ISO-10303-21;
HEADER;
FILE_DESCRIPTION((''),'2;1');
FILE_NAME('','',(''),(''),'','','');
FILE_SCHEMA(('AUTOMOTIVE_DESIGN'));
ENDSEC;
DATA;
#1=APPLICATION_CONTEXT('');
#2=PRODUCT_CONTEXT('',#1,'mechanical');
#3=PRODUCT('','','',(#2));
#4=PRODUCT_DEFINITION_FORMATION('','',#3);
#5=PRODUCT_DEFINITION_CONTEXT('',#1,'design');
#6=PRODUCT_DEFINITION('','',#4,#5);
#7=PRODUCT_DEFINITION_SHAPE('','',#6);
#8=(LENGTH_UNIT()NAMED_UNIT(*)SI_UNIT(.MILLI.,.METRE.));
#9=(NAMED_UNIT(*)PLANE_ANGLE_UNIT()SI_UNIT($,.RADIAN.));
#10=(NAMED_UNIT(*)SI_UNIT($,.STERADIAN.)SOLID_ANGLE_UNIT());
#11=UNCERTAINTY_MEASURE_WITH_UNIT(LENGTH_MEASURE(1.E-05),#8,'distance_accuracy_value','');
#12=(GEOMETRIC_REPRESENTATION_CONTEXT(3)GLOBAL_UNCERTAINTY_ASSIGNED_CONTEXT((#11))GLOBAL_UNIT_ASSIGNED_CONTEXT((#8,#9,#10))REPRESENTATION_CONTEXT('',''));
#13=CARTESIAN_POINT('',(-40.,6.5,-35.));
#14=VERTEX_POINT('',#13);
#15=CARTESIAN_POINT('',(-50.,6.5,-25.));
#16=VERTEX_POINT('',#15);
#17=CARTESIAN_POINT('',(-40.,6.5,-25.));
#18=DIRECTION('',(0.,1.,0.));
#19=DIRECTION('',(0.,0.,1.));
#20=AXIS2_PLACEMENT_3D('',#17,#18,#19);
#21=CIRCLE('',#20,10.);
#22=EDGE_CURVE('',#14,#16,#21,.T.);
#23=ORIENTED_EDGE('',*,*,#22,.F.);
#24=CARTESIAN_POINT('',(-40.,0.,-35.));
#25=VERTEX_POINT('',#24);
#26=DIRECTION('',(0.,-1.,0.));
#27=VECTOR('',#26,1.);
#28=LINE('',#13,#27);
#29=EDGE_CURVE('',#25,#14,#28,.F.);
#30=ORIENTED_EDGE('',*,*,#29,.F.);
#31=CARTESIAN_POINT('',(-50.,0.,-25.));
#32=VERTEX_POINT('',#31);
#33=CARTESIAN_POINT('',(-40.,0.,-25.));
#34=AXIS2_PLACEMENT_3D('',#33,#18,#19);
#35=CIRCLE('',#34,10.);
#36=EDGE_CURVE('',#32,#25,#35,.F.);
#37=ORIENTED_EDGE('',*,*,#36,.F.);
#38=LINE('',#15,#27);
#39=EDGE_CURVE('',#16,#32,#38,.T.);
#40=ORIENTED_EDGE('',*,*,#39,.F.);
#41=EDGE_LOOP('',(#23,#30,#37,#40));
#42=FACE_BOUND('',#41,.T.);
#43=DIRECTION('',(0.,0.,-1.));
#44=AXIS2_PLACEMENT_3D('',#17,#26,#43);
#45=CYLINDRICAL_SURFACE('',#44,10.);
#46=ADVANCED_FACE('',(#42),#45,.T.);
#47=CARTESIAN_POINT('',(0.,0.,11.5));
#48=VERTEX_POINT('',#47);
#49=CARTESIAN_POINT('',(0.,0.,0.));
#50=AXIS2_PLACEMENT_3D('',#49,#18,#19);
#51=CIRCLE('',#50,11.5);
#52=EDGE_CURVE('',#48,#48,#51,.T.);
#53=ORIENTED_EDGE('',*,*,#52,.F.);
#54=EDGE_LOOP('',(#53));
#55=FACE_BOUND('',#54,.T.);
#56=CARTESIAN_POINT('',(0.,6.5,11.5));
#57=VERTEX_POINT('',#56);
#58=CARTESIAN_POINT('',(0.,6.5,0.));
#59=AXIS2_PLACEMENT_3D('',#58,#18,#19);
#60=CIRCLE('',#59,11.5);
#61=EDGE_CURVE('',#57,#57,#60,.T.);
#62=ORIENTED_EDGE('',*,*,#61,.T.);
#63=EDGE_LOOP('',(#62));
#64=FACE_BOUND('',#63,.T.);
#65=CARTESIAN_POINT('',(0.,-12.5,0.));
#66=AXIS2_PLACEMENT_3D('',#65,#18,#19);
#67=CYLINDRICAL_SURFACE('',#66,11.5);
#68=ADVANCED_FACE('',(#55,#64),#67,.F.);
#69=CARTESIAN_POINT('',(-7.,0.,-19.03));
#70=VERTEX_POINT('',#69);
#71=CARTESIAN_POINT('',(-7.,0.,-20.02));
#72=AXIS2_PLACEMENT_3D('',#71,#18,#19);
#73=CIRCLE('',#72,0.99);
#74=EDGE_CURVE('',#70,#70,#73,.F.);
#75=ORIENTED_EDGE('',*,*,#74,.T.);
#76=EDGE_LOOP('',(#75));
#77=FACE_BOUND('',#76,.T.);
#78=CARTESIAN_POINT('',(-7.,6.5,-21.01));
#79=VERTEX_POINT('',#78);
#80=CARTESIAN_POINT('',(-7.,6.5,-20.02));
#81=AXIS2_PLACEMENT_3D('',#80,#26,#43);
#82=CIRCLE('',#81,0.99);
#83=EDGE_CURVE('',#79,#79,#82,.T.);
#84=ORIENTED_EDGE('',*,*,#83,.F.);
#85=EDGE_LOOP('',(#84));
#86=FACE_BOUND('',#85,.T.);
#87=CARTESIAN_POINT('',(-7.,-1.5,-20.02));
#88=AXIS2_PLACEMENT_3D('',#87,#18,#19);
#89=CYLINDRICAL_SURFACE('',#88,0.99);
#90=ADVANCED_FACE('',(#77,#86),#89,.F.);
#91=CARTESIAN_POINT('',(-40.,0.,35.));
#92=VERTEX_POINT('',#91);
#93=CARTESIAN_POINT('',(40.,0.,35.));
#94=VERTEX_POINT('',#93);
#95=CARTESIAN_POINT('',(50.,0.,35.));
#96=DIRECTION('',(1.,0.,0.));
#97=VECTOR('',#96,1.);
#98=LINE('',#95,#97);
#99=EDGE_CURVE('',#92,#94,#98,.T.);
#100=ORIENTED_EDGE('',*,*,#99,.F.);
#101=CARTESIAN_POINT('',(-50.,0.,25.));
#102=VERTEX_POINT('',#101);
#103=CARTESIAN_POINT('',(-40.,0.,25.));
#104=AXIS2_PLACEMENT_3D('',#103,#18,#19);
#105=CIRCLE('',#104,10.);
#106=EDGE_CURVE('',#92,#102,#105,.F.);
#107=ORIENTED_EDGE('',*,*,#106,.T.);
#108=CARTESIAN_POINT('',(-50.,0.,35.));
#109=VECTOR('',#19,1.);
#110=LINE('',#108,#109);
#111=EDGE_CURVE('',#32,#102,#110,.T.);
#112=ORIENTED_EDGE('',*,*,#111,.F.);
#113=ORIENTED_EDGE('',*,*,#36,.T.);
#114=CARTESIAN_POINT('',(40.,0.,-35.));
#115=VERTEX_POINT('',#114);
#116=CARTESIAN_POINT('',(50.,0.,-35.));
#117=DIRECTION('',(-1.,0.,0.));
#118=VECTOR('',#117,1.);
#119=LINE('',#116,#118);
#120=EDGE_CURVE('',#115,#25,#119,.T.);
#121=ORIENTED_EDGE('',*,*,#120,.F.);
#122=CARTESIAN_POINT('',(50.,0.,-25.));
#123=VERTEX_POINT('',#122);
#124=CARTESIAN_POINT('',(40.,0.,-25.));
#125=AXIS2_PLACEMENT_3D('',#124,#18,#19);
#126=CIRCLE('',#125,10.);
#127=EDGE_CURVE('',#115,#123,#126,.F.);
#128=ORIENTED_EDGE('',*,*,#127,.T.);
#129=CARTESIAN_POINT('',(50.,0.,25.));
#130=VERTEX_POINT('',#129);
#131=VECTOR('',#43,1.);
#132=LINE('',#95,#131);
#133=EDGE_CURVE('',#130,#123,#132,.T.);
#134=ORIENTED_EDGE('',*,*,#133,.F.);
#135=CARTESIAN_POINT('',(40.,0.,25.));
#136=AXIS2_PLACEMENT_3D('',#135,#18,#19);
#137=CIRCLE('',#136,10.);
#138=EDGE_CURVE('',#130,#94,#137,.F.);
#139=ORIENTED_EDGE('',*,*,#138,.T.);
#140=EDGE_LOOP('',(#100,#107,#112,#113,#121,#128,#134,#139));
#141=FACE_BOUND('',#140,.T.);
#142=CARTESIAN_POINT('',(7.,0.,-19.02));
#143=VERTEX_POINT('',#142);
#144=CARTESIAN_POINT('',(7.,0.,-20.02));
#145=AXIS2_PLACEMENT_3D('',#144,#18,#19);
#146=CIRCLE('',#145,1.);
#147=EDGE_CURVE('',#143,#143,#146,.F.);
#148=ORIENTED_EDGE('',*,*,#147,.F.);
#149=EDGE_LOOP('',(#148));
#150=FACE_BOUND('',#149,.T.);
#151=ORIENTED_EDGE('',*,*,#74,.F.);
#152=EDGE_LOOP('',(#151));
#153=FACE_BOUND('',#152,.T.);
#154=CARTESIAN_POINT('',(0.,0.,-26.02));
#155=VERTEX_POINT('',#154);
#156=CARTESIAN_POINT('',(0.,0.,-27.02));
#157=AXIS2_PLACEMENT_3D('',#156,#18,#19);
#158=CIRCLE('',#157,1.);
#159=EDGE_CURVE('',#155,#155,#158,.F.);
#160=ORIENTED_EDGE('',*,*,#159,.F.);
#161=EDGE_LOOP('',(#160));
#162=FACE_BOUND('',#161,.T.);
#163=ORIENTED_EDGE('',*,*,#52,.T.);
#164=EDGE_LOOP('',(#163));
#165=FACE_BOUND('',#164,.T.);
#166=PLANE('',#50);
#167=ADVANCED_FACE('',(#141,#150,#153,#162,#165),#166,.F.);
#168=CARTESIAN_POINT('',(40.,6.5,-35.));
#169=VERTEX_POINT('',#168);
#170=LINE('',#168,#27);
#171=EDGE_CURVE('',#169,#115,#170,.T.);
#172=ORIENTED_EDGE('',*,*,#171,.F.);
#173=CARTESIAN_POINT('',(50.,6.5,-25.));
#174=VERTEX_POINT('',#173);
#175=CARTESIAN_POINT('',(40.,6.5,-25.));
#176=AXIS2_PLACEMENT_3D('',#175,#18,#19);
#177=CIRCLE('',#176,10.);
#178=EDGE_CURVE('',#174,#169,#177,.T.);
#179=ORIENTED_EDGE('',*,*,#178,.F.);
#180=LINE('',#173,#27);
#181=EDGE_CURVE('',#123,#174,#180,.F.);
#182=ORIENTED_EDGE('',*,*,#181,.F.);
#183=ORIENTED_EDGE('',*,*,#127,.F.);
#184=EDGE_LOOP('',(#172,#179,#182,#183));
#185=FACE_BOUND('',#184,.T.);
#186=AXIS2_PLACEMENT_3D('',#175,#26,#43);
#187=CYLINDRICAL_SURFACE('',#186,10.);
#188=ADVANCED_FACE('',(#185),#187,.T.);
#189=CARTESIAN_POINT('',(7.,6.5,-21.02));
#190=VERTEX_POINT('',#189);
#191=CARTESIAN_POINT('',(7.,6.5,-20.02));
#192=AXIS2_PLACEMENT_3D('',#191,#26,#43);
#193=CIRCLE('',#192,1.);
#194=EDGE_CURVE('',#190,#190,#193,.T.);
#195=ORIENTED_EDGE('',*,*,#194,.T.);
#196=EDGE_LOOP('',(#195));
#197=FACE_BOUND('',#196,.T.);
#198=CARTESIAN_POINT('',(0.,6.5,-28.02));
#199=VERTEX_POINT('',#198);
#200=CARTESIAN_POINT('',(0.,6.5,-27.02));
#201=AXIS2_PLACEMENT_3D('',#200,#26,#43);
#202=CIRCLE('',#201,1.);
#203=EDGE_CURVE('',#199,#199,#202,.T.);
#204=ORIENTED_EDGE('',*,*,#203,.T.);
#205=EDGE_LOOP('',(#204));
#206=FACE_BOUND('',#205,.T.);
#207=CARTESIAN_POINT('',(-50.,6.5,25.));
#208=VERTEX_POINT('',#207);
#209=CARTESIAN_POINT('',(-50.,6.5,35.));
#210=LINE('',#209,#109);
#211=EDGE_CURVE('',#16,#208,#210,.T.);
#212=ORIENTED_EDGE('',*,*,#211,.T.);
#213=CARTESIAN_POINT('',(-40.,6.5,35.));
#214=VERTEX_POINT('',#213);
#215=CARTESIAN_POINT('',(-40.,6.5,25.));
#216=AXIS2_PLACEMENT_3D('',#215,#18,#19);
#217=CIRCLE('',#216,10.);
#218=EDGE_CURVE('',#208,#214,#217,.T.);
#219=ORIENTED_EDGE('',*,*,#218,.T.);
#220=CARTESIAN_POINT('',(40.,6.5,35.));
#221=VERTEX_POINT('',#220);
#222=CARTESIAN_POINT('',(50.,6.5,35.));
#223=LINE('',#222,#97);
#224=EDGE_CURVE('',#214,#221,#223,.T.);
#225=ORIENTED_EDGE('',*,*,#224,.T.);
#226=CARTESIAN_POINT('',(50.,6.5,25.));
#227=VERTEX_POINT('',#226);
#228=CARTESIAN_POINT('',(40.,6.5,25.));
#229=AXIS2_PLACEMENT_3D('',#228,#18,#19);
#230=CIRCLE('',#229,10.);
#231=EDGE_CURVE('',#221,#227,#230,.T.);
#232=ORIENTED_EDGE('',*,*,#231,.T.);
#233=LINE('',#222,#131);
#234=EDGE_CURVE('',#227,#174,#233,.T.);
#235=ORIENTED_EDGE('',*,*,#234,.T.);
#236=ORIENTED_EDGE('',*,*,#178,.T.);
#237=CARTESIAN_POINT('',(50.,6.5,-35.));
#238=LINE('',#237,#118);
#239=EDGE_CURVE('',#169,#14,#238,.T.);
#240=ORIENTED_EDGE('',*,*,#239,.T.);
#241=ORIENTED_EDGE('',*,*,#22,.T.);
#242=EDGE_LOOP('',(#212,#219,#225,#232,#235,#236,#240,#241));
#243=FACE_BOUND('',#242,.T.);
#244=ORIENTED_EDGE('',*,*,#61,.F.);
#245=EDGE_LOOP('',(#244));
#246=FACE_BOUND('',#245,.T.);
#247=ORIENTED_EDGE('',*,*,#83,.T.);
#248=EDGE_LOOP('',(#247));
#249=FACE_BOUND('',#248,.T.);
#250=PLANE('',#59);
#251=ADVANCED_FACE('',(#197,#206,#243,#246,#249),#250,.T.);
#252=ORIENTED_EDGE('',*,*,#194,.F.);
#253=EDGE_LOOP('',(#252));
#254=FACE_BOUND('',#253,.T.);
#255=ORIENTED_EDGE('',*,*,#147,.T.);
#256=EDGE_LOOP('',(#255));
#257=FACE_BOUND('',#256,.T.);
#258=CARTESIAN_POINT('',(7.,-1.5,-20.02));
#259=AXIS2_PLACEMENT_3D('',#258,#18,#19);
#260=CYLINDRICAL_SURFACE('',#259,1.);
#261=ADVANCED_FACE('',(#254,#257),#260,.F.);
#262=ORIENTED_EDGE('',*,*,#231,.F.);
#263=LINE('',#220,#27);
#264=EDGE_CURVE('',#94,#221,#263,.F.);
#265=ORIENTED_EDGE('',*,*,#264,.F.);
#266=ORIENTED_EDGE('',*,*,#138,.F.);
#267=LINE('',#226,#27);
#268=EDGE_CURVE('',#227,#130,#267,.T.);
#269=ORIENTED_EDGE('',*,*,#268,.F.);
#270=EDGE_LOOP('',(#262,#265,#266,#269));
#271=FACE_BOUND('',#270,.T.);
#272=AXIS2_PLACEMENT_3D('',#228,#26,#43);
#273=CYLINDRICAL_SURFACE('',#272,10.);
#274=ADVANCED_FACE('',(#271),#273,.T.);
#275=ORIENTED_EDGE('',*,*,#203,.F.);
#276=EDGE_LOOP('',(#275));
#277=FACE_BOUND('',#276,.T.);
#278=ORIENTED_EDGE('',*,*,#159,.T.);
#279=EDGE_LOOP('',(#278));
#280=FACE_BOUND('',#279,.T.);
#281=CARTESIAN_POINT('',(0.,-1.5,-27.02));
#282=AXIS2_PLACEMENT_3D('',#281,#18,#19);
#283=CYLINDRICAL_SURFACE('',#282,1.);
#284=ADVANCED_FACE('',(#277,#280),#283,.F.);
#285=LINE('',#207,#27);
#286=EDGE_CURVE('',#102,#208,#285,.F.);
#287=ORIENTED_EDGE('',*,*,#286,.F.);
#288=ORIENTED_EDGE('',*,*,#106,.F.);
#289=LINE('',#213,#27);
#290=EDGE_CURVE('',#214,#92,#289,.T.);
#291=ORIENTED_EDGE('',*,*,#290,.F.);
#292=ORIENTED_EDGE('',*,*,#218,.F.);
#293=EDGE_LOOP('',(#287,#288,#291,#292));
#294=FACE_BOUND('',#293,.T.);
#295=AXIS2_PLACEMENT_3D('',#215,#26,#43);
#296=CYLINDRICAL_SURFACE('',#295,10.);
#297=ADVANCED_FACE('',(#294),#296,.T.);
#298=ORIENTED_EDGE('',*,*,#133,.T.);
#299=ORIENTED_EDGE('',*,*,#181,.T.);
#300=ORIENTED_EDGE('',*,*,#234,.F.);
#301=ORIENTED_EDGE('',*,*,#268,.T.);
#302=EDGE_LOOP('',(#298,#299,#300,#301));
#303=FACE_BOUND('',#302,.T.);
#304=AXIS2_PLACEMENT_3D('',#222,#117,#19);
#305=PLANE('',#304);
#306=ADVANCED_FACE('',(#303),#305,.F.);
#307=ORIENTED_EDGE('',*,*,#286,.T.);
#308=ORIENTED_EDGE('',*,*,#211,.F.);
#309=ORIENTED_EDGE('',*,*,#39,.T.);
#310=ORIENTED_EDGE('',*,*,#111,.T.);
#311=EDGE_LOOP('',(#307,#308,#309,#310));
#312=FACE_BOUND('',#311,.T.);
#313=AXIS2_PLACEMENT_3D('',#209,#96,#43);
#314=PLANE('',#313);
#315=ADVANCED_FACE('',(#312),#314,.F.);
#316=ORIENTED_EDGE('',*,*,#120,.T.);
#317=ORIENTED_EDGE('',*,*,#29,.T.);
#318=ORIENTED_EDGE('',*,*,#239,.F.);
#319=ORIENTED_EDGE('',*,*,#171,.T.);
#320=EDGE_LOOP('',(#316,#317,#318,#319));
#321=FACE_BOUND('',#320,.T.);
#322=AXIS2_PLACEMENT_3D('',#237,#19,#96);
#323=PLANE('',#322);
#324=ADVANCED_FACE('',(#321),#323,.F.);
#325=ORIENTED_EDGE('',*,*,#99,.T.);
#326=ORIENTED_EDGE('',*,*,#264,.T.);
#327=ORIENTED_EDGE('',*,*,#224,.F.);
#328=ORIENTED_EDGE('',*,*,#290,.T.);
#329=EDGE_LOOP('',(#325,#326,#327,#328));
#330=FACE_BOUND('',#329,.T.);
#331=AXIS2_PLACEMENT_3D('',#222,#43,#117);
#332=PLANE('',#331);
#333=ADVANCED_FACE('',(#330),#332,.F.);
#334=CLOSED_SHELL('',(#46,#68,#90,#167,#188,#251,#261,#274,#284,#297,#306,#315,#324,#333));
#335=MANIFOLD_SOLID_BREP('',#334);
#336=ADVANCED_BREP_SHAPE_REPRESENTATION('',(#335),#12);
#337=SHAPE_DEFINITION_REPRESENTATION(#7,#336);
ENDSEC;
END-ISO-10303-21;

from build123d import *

# Parameters (mm, degrees)
SKETCH1_W           = 100
SKETCH1_H           = 70
BOSS_EXTRUDE1_DEPTH = 6.5
SKETCH2_R           = 11.5
CUT_EXTRUDE1_DEPTH  = 19
CUT_EXTRUDE2_DEPTH  = 8
FILLET1_R           = 10


with BuildPart() as part:
    # Sketch1 → Boss-Extrude1 (new body)
    with BuildSketch(Plane(origin=(0, 0, 0), x_dir=(1, 0, 0), z_dir=(0, 1, 0))):
        Rectangle(SKETCH1_W, SKETCH1_H)
    extrude(amount=BOSS_EXTRUDE1_DEPTH)

    # Sketch2 → Cut-Extrude1 (cut)
    with BuildSketch(Plane(origin=(10.212212675, 6.5, 1.842409503), x_dir=(1, 0, 0), z_dir=(0, 1, 0))):
        with Locations((-10.212212675, 1.842409503)):
            Circle(SKETCH2_R)
    extrude(amount=-CUT_EXTRUDE1_DEPTH, mode=Mode.SUBTRACT)

    # Sketch3 → Cut-Extrude2 (cut)
    with BuildSketch(Plane(origin=(10.212212675, 6.5, 1.842409503), x_dir=(1, 0, 0), z_dir=(0, -1, 0))):
        with BuildLine():
            ThreePointArc((-17.21221269, -20.872409503), (-18.202212675, -21.862409519), (-17.212212659, -22.852409503))
            ThreePointArc((-17.212212659, -22.852409503), (-16.222212675, -21.862409488), (-17.21221269, -20.872409503))
        make_face()
        with BuildLine():
            ThreePointArc((-10.212212691, -27.862409503), (-11.212212675, -28.86240952), (-10.212212658, -29.862409503))
            ThreePointArc((-10.212212658, -29.862409503), (-9.212212675, -28.862409487), (-10.212212691, -27.862409503))
        make_face()
        with BuildLine():
            ThreePointArc((-3.212212691, -20.862409503), (-4.212212675, -21.86240952), (-3.212212658, -22.862409503))
            ThreePointArc((-3.212212658, -22.862409503), (-2.212212675, -21.862409487), (-3.212212691, -20.862409503))
        make_face()
    extrude(amount=CUT_EXTRUDE2_DEPTH, mode=Mode.SUBTRACT)

    # Fillet1
    fillet1_edges = [part.edges().sort_by_distance(p)[0] for p in [
        (-50, 3.25, -35),
        (50, 3.25, -35),
        (50, 3.25, 35),
        (-50, 3.25, 35),
    ]]
    fillet(fillet1_edges, radius=FILLET1_R)


solid = part.part
